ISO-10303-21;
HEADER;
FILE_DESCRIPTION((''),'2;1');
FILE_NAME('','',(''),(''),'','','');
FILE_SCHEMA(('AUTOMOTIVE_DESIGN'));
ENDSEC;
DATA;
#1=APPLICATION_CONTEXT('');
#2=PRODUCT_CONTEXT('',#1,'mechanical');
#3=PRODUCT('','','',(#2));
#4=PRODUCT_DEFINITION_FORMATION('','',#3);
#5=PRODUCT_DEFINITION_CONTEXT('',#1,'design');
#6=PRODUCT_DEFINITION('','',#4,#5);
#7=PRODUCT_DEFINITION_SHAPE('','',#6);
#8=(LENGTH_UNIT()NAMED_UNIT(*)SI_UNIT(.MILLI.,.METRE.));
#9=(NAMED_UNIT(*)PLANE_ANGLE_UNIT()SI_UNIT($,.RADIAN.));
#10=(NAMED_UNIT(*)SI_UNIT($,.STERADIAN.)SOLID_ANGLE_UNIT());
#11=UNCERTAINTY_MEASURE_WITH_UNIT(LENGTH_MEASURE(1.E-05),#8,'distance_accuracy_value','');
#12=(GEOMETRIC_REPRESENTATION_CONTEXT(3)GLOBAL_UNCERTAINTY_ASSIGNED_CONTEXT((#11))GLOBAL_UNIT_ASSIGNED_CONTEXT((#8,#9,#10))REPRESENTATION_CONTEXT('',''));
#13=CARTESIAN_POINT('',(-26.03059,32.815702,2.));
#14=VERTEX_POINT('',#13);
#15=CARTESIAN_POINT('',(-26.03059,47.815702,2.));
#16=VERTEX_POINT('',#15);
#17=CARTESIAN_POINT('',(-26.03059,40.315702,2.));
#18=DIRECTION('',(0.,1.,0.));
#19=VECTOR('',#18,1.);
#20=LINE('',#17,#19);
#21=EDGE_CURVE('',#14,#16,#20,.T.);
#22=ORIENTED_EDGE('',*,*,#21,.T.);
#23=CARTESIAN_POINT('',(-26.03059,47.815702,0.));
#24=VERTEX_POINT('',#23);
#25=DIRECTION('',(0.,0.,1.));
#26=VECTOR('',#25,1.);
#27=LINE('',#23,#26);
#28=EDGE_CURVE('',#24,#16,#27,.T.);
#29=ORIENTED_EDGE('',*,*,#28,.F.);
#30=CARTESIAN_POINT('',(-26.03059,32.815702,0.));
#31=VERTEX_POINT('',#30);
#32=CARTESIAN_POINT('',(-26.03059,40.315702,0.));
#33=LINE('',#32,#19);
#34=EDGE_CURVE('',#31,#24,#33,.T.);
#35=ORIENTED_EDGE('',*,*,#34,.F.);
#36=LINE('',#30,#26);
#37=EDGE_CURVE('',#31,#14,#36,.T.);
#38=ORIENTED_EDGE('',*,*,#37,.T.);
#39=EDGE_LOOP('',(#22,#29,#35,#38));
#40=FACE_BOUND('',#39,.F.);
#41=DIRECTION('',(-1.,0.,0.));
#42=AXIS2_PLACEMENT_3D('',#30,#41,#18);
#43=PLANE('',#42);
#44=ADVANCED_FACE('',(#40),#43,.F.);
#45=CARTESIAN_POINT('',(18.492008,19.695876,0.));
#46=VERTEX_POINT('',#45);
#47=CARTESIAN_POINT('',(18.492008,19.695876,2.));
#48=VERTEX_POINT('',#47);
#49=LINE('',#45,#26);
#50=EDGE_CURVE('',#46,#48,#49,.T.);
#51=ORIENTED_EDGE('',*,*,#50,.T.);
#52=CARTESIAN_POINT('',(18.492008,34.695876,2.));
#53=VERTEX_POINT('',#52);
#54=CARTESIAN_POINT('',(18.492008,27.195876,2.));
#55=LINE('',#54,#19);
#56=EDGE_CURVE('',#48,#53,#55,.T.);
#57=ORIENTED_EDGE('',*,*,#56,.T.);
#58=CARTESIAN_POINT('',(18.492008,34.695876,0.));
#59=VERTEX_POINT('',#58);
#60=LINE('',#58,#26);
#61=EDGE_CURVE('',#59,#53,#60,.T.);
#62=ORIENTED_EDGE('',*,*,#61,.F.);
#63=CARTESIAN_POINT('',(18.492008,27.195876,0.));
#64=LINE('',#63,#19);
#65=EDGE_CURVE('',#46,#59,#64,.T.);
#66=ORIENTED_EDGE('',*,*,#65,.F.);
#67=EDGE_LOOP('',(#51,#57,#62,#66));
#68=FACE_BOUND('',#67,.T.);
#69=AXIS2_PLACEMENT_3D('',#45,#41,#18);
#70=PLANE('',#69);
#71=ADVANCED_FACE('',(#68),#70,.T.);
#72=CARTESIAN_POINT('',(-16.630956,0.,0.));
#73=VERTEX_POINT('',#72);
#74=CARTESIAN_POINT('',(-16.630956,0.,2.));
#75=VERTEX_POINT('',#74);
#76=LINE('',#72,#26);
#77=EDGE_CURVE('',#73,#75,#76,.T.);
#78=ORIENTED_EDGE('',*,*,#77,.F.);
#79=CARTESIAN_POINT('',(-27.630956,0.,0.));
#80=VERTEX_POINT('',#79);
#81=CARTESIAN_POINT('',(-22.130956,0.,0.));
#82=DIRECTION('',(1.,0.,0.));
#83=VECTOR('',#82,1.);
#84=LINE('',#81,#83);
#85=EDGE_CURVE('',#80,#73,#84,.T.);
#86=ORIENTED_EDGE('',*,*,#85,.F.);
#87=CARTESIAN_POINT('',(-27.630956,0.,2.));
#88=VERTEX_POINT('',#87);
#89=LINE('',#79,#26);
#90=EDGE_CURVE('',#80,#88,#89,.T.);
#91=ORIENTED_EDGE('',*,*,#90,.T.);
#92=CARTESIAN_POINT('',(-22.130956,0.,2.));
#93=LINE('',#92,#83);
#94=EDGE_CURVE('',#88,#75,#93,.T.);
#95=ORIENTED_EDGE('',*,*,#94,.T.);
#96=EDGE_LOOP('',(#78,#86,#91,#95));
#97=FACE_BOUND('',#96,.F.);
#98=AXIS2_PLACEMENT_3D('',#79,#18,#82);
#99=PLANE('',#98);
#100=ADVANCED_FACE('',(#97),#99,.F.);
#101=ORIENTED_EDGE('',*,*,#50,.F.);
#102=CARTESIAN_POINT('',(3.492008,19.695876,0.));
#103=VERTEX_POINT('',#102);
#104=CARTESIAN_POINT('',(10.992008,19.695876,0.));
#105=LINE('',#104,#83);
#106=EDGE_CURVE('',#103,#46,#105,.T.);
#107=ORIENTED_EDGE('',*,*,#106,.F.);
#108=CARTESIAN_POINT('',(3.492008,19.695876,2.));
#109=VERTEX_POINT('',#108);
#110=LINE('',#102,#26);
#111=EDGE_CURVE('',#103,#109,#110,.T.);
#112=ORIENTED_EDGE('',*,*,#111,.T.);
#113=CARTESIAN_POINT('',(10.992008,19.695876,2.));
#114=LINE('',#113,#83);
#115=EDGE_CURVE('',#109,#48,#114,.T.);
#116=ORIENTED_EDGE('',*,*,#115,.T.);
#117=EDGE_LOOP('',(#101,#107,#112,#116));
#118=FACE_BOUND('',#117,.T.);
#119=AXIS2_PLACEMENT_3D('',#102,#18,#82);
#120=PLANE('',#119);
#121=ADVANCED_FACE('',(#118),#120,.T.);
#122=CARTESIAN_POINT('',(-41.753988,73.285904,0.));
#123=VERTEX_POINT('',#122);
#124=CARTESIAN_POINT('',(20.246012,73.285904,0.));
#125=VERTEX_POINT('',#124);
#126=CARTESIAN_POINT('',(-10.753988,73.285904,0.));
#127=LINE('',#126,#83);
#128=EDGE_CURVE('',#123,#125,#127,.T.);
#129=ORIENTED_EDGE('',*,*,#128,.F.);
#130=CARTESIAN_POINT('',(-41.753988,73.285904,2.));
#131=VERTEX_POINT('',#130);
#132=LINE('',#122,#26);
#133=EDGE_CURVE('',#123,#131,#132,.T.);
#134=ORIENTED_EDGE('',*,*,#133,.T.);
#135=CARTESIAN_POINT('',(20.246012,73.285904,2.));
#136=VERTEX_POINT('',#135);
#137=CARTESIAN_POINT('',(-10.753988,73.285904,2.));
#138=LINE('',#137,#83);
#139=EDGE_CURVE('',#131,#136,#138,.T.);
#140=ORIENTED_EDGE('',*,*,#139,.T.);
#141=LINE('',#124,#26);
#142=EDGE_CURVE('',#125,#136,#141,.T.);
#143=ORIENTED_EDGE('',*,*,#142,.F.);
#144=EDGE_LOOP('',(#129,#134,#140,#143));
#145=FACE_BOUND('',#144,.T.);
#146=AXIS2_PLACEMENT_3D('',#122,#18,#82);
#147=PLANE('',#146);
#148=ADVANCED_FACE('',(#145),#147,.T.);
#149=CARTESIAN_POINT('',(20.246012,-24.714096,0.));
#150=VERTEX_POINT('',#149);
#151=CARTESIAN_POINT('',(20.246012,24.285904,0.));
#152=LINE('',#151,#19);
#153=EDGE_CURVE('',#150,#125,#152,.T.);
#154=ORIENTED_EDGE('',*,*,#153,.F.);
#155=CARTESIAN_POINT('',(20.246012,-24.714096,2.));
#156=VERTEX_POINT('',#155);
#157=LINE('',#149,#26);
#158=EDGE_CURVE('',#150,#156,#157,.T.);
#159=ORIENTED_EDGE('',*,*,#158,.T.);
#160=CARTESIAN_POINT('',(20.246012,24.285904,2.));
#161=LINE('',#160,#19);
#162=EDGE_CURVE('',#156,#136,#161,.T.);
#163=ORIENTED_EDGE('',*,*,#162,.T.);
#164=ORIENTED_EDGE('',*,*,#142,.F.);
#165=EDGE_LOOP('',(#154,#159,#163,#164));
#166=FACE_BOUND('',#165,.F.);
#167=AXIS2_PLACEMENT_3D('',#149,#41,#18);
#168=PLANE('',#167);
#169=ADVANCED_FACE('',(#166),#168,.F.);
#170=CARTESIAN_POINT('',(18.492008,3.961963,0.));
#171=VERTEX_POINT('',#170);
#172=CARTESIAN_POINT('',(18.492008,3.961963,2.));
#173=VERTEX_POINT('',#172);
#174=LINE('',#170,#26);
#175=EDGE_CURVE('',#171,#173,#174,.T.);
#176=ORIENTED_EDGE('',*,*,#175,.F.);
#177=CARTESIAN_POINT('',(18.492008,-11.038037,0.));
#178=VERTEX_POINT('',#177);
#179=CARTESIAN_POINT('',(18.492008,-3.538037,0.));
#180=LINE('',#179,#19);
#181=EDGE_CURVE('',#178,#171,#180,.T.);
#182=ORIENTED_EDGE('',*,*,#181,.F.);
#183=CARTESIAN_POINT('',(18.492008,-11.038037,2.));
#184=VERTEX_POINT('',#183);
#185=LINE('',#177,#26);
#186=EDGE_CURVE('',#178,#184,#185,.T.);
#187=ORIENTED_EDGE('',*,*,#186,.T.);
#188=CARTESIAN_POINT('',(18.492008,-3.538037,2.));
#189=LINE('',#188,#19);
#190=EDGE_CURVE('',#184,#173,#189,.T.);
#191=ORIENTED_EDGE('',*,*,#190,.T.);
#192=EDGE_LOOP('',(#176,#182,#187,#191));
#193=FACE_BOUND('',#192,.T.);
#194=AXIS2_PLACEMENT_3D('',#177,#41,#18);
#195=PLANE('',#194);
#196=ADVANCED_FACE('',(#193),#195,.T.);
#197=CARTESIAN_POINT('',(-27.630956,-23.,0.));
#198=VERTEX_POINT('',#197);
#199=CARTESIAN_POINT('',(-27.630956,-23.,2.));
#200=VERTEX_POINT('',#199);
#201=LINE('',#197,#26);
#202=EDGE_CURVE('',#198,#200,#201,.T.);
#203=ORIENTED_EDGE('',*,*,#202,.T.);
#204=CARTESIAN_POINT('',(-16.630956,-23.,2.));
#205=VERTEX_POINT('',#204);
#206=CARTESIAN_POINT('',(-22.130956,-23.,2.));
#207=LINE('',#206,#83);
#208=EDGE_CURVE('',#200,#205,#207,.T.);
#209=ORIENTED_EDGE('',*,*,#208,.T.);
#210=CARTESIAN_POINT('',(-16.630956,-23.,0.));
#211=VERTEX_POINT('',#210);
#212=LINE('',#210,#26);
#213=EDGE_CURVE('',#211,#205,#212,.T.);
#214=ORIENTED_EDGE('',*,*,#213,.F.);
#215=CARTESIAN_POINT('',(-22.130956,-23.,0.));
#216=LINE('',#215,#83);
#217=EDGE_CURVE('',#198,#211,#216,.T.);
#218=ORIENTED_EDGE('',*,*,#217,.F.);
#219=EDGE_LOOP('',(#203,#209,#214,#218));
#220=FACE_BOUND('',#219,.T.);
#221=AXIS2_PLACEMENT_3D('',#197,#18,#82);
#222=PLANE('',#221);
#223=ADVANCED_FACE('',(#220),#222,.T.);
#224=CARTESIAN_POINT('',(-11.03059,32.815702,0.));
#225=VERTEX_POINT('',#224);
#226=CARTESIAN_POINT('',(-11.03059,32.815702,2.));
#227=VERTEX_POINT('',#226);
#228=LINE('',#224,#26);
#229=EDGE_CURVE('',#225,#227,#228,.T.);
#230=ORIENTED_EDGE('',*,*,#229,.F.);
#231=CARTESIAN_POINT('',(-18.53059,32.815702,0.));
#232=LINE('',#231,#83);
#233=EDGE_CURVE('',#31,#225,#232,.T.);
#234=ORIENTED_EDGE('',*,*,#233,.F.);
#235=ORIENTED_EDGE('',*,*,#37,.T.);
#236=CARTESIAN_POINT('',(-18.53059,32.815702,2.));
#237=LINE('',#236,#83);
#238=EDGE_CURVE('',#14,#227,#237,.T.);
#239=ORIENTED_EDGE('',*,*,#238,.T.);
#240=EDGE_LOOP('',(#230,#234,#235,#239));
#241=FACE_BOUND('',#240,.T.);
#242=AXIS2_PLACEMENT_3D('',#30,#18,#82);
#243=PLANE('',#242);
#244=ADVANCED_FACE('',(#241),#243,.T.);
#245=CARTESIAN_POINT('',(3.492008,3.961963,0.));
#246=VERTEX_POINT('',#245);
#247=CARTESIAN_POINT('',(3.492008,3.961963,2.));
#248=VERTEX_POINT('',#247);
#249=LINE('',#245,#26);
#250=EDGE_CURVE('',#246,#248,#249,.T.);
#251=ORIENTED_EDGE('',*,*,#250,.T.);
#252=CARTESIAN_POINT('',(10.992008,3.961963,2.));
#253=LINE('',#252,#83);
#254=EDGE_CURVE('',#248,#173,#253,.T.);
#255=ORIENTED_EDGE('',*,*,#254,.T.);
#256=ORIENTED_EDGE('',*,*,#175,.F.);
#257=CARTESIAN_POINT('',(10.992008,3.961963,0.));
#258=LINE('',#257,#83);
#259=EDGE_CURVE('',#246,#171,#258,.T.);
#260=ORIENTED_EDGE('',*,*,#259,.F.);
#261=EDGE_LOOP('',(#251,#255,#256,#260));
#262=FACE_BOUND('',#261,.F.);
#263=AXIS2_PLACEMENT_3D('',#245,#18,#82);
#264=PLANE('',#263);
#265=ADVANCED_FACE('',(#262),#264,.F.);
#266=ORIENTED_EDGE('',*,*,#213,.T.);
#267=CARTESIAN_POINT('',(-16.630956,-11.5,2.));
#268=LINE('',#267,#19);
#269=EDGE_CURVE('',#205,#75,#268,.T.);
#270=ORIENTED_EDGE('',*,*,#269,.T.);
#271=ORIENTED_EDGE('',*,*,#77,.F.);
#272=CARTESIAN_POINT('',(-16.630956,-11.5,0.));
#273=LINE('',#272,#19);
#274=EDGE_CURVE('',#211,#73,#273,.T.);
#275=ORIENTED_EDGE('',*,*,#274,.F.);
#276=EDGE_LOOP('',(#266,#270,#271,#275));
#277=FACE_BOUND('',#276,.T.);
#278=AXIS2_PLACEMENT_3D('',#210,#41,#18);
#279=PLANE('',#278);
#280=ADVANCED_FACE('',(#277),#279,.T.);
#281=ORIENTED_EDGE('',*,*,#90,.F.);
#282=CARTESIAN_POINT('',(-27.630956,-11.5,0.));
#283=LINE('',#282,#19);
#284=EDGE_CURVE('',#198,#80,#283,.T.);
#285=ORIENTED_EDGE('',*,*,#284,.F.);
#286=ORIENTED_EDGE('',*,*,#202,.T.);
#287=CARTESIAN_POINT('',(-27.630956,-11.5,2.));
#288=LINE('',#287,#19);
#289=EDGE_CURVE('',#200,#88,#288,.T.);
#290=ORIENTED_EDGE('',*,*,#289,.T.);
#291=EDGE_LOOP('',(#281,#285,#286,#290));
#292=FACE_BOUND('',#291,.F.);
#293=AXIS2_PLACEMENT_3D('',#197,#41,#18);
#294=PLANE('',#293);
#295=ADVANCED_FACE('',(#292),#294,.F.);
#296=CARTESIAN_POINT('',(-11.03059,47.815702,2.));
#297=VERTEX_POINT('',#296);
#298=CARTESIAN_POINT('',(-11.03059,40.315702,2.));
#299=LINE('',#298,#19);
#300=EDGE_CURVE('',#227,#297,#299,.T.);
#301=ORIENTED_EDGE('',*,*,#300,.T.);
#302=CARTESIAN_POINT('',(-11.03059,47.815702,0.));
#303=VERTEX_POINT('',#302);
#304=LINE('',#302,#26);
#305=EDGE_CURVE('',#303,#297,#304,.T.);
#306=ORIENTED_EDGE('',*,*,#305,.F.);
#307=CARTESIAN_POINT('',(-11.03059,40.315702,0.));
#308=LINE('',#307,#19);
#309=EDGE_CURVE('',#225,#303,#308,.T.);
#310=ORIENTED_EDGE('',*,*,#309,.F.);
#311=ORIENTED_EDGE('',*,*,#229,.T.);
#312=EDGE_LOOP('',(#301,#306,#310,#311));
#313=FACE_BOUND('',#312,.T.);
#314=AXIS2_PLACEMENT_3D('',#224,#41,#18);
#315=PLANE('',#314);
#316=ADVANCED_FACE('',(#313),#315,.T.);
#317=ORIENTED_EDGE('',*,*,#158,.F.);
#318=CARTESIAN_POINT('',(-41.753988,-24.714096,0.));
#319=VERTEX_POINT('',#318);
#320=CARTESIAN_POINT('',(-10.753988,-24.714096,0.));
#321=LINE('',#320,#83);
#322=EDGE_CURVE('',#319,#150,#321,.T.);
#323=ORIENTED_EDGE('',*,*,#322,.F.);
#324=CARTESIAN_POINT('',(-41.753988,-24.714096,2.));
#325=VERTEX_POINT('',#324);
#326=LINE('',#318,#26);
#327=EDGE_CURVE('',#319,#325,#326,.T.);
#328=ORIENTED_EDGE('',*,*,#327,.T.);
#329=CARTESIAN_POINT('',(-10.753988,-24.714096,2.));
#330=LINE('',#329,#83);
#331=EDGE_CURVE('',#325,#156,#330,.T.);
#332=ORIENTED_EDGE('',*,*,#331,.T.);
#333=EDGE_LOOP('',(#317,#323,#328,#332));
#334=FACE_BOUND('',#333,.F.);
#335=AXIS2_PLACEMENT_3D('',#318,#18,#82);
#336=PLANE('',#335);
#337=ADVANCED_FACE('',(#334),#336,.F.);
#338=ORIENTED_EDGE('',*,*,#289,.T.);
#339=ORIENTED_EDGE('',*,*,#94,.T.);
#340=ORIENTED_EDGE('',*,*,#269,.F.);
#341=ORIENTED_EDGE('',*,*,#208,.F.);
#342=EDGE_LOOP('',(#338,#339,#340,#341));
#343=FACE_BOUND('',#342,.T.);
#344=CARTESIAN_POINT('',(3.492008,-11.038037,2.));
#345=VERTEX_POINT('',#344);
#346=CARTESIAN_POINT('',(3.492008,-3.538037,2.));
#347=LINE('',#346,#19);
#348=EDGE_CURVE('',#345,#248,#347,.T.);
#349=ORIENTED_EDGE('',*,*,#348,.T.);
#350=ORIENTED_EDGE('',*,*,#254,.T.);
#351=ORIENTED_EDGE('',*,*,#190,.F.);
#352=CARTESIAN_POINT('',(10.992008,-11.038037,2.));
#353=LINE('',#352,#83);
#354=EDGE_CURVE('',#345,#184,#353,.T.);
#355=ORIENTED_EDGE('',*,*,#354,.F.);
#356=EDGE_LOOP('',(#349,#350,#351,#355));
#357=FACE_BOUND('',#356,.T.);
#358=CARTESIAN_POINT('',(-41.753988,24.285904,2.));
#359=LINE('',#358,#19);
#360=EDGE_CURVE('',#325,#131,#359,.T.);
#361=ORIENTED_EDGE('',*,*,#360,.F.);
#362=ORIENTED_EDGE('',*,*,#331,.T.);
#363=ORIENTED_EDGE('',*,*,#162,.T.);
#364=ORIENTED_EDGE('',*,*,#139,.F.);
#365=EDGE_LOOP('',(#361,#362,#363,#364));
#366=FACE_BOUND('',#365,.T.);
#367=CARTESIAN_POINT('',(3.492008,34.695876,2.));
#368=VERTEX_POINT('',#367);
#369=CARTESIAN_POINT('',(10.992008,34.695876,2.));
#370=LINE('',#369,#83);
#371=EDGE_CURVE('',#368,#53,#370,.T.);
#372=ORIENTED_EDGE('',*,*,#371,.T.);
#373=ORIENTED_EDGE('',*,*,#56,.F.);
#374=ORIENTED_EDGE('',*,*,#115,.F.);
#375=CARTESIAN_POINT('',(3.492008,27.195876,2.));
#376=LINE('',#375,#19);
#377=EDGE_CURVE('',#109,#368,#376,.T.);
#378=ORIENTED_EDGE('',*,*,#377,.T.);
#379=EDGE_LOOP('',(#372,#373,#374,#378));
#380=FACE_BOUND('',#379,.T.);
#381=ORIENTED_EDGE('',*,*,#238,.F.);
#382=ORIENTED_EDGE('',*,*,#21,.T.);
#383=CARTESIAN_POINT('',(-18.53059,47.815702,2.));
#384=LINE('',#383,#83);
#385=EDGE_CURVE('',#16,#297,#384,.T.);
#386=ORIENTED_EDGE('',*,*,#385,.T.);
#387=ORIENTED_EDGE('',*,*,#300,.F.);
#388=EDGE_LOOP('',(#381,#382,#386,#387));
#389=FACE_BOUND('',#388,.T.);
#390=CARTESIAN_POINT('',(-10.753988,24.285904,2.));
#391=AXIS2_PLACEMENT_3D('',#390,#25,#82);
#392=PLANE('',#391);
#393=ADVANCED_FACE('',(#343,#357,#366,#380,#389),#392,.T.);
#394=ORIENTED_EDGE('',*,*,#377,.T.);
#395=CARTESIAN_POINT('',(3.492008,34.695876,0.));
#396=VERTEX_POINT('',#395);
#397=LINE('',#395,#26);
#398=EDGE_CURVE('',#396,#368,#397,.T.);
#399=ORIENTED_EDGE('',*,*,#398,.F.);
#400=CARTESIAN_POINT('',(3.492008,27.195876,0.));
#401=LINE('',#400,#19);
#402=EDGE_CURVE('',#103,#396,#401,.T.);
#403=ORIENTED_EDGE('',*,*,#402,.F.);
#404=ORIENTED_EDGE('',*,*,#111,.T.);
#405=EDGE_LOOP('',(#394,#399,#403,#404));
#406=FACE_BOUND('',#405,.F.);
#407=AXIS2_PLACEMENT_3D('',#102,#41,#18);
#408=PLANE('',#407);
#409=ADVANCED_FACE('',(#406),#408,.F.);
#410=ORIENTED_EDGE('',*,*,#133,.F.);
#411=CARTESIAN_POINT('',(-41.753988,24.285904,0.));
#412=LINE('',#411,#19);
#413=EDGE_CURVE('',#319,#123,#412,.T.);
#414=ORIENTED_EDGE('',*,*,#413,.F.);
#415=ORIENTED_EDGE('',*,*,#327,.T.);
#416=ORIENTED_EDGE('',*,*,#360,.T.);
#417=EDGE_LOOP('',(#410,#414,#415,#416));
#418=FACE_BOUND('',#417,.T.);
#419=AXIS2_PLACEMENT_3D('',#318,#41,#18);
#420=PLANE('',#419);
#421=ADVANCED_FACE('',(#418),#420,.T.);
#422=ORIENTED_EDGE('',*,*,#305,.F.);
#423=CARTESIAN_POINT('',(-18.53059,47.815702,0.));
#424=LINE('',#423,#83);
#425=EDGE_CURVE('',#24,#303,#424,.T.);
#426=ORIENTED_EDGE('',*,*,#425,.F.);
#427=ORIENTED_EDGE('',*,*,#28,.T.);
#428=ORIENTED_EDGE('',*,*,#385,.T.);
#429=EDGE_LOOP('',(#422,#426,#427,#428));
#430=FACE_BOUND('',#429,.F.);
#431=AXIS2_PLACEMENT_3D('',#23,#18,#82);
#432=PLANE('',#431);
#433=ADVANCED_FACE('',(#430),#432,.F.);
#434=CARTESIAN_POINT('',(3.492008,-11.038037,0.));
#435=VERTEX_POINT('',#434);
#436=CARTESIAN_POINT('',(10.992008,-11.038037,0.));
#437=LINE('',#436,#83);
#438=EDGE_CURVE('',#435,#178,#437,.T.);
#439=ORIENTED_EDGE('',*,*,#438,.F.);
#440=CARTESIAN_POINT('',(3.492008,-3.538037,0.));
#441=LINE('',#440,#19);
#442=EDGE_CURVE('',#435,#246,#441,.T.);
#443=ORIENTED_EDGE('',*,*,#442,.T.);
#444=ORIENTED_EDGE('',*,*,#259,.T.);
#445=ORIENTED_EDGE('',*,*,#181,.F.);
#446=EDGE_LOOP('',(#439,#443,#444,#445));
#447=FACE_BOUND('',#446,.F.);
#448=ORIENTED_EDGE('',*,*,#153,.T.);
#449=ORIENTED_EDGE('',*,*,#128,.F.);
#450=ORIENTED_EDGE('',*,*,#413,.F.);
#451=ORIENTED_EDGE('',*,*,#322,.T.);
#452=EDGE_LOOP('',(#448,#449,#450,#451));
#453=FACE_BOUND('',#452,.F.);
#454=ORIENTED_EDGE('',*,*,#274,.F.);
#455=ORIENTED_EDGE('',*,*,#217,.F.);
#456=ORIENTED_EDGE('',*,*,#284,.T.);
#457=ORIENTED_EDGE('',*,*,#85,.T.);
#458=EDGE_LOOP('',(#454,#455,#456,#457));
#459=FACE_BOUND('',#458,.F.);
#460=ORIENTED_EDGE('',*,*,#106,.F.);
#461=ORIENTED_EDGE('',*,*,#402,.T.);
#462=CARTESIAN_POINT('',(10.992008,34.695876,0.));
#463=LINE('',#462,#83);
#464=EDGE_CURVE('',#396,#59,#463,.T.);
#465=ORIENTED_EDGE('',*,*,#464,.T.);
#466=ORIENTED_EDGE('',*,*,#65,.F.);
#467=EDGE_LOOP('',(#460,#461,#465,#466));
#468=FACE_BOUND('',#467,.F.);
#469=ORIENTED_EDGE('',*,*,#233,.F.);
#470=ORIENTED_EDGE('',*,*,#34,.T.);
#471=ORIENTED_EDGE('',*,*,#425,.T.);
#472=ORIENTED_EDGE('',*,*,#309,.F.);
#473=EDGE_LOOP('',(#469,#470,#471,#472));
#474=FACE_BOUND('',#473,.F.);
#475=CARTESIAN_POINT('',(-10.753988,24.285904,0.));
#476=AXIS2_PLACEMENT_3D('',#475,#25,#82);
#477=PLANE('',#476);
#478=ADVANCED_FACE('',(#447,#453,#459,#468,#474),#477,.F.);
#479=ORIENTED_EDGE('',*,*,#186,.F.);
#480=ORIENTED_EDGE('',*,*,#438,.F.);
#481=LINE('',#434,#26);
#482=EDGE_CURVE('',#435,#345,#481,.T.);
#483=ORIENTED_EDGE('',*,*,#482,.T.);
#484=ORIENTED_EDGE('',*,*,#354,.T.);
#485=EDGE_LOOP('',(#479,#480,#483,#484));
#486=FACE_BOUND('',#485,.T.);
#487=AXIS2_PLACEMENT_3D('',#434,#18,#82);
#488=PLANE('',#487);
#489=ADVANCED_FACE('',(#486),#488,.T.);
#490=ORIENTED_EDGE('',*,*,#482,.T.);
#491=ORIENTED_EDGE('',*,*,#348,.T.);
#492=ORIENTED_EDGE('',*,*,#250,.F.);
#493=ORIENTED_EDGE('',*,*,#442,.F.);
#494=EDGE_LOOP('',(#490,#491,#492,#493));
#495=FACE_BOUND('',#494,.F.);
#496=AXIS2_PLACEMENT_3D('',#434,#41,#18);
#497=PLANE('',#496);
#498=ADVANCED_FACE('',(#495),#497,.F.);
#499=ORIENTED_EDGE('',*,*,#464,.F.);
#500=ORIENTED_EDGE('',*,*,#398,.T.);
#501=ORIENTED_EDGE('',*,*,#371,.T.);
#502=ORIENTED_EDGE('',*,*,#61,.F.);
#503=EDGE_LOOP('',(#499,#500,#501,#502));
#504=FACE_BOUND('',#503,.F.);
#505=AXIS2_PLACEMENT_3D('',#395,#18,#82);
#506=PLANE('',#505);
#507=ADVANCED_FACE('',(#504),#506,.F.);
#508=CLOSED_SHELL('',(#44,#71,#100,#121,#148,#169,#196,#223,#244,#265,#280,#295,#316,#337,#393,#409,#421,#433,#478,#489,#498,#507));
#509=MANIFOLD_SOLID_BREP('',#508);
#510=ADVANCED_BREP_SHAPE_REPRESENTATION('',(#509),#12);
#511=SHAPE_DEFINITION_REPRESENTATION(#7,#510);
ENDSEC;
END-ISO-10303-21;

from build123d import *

# Parameters (mm, degrees)
F1_W     = 62
F1_H     = 98
F1_W_2   = 11
F1_H_2   = 23
F1_W_3   = 15
F1_H_3   = 15
F2_DEPTH = 2


with BuildPart() as f2:
    # F1 (on face) → F2 (new body)
    with BuildSketch(Plane.XY):
        with Locations((-10.753988, 24.285904)):
            Rectangle(F1_W, F1_H)
        with Locations((-22.130956, -11.5)):
            Rectangle(F1_W_2, F1_H_2, mode=Mode.SUBTRACT)
        with Locations((10.992008, -3.538037)):
            Rectangle(F1_W_3, F1_H_3, mode=Mode.SUBTRACT)
        with Locations((-18.53059, 40.315702)):
            Rectangle(F1_W_3, F1_H_3, mode=Mode.SUBTRACT)
        with Locations((10.992008, 27.195876)):
            Rectangle(F1_W_3, F1_H_3, mode=Mode.SUBTRACT)
    extrude(amount=F2_DEPTH)


solid = f2.part
